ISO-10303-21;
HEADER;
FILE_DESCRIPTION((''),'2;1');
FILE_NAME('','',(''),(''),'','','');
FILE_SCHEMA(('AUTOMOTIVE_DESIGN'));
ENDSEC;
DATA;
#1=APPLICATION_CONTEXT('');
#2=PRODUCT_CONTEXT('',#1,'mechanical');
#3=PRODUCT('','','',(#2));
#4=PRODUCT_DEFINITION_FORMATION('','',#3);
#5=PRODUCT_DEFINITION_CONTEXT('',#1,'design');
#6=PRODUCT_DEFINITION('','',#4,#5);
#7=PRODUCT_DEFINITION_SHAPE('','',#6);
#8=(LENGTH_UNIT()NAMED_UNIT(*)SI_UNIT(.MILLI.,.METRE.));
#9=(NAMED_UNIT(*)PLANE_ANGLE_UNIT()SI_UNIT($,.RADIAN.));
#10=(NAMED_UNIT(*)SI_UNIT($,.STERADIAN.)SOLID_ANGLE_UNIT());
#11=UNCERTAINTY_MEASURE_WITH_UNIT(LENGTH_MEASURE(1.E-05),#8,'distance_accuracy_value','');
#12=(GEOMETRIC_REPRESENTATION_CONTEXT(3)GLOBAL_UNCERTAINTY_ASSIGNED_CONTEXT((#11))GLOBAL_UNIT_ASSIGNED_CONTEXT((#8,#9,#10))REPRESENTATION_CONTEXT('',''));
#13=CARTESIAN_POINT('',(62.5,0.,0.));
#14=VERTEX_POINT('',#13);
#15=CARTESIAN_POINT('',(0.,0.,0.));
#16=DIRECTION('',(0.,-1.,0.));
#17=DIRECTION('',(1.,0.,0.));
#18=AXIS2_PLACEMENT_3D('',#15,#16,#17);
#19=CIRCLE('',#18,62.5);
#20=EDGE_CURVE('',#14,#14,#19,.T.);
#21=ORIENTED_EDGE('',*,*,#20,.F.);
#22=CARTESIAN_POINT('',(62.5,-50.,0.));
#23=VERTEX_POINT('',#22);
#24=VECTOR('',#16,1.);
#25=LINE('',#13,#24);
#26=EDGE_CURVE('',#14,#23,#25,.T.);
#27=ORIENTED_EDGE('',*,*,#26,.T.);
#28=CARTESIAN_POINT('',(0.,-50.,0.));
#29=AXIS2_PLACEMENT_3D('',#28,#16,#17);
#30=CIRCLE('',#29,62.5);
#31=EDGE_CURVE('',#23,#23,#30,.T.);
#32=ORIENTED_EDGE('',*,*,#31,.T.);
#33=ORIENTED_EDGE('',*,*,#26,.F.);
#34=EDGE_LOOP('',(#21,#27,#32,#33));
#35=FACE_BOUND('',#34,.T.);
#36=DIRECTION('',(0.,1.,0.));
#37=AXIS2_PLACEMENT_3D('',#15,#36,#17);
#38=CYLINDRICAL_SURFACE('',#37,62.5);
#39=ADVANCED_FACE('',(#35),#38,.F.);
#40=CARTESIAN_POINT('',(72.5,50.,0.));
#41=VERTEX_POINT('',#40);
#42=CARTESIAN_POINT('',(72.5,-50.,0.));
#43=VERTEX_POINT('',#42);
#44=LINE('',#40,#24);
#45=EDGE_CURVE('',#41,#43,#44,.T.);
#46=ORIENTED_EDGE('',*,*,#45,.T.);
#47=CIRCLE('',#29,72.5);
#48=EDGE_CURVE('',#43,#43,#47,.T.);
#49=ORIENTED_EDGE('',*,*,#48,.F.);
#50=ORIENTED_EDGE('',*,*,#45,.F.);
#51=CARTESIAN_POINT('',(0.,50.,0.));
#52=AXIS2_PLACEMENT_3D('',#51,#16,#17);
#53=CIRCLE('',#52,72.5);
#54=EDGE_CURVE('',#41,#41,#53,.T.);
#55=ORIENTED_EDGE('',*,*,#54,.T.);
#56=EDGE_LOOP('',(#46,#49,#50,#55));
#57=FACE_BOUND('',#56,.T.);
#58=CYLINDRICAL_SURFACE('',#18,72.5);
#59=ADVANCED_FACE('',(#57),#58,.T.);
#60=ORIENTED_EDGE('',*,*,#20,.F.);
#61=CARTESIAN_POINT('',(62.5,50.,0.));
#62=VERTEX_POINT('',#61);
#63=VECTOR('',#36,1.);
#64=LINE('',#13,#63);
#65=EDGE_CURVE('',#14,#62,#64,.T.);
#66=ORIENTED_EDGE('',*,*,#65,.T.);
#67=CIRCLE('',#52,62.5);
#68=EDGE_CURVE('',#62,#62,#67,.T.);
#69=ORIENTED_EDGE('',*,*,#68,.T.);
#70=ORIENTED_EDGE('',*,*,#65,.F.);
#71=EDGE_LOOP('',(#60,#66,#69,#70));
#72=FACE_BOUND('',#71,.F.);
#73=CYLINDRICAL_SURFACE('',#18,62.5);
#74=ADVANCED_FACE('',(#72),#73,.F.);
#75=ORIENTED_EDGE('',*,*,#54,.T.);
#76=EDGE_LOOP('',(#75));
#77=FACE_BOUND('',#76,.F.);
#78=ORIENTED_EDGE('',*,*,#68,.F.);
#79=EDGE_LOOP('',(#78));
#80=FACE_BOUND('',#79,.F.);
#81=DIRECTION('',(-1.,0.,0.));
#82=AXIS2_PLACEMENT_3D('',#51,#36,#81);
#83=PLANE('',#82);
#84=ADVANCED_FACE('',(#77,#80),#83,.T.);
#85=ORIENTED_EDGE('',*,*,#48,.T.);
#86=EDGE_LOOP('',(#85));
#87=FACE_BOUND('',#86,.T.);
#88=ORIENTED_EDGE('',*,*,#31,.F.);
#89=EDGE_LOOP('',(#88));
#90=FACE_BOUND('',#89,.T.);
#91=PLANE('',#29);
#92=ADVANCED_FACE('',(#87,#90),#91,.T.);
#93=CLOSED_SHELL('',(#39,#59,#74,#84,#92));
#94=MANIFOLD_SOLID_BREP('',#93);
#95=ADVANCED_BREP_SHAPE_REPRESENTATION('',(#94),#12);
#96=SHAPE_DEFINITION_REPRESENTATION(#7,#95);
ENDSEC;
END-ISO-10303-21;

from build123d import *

# Parameters (mm, degrees)
F0_R     = 72.5
F0_R_2   = 62.5
F1_DEPTH = 50


with BuildPart() as f1:
    # F0 (on Front) → F1 (new body)
    with BuildSketch(Plane.XZ):
        Circle(F0_R)
        Circle(F0_R_2, mode=Mode.SUBTRACT)
    extrude(amount=F1_DEPTH)

    # F2: F1 across plane


with BuildPart() as f1_1:
    add(f1.part)
    add(f1.part.mirror(Plane.XZ))


solid = f1_1.part
